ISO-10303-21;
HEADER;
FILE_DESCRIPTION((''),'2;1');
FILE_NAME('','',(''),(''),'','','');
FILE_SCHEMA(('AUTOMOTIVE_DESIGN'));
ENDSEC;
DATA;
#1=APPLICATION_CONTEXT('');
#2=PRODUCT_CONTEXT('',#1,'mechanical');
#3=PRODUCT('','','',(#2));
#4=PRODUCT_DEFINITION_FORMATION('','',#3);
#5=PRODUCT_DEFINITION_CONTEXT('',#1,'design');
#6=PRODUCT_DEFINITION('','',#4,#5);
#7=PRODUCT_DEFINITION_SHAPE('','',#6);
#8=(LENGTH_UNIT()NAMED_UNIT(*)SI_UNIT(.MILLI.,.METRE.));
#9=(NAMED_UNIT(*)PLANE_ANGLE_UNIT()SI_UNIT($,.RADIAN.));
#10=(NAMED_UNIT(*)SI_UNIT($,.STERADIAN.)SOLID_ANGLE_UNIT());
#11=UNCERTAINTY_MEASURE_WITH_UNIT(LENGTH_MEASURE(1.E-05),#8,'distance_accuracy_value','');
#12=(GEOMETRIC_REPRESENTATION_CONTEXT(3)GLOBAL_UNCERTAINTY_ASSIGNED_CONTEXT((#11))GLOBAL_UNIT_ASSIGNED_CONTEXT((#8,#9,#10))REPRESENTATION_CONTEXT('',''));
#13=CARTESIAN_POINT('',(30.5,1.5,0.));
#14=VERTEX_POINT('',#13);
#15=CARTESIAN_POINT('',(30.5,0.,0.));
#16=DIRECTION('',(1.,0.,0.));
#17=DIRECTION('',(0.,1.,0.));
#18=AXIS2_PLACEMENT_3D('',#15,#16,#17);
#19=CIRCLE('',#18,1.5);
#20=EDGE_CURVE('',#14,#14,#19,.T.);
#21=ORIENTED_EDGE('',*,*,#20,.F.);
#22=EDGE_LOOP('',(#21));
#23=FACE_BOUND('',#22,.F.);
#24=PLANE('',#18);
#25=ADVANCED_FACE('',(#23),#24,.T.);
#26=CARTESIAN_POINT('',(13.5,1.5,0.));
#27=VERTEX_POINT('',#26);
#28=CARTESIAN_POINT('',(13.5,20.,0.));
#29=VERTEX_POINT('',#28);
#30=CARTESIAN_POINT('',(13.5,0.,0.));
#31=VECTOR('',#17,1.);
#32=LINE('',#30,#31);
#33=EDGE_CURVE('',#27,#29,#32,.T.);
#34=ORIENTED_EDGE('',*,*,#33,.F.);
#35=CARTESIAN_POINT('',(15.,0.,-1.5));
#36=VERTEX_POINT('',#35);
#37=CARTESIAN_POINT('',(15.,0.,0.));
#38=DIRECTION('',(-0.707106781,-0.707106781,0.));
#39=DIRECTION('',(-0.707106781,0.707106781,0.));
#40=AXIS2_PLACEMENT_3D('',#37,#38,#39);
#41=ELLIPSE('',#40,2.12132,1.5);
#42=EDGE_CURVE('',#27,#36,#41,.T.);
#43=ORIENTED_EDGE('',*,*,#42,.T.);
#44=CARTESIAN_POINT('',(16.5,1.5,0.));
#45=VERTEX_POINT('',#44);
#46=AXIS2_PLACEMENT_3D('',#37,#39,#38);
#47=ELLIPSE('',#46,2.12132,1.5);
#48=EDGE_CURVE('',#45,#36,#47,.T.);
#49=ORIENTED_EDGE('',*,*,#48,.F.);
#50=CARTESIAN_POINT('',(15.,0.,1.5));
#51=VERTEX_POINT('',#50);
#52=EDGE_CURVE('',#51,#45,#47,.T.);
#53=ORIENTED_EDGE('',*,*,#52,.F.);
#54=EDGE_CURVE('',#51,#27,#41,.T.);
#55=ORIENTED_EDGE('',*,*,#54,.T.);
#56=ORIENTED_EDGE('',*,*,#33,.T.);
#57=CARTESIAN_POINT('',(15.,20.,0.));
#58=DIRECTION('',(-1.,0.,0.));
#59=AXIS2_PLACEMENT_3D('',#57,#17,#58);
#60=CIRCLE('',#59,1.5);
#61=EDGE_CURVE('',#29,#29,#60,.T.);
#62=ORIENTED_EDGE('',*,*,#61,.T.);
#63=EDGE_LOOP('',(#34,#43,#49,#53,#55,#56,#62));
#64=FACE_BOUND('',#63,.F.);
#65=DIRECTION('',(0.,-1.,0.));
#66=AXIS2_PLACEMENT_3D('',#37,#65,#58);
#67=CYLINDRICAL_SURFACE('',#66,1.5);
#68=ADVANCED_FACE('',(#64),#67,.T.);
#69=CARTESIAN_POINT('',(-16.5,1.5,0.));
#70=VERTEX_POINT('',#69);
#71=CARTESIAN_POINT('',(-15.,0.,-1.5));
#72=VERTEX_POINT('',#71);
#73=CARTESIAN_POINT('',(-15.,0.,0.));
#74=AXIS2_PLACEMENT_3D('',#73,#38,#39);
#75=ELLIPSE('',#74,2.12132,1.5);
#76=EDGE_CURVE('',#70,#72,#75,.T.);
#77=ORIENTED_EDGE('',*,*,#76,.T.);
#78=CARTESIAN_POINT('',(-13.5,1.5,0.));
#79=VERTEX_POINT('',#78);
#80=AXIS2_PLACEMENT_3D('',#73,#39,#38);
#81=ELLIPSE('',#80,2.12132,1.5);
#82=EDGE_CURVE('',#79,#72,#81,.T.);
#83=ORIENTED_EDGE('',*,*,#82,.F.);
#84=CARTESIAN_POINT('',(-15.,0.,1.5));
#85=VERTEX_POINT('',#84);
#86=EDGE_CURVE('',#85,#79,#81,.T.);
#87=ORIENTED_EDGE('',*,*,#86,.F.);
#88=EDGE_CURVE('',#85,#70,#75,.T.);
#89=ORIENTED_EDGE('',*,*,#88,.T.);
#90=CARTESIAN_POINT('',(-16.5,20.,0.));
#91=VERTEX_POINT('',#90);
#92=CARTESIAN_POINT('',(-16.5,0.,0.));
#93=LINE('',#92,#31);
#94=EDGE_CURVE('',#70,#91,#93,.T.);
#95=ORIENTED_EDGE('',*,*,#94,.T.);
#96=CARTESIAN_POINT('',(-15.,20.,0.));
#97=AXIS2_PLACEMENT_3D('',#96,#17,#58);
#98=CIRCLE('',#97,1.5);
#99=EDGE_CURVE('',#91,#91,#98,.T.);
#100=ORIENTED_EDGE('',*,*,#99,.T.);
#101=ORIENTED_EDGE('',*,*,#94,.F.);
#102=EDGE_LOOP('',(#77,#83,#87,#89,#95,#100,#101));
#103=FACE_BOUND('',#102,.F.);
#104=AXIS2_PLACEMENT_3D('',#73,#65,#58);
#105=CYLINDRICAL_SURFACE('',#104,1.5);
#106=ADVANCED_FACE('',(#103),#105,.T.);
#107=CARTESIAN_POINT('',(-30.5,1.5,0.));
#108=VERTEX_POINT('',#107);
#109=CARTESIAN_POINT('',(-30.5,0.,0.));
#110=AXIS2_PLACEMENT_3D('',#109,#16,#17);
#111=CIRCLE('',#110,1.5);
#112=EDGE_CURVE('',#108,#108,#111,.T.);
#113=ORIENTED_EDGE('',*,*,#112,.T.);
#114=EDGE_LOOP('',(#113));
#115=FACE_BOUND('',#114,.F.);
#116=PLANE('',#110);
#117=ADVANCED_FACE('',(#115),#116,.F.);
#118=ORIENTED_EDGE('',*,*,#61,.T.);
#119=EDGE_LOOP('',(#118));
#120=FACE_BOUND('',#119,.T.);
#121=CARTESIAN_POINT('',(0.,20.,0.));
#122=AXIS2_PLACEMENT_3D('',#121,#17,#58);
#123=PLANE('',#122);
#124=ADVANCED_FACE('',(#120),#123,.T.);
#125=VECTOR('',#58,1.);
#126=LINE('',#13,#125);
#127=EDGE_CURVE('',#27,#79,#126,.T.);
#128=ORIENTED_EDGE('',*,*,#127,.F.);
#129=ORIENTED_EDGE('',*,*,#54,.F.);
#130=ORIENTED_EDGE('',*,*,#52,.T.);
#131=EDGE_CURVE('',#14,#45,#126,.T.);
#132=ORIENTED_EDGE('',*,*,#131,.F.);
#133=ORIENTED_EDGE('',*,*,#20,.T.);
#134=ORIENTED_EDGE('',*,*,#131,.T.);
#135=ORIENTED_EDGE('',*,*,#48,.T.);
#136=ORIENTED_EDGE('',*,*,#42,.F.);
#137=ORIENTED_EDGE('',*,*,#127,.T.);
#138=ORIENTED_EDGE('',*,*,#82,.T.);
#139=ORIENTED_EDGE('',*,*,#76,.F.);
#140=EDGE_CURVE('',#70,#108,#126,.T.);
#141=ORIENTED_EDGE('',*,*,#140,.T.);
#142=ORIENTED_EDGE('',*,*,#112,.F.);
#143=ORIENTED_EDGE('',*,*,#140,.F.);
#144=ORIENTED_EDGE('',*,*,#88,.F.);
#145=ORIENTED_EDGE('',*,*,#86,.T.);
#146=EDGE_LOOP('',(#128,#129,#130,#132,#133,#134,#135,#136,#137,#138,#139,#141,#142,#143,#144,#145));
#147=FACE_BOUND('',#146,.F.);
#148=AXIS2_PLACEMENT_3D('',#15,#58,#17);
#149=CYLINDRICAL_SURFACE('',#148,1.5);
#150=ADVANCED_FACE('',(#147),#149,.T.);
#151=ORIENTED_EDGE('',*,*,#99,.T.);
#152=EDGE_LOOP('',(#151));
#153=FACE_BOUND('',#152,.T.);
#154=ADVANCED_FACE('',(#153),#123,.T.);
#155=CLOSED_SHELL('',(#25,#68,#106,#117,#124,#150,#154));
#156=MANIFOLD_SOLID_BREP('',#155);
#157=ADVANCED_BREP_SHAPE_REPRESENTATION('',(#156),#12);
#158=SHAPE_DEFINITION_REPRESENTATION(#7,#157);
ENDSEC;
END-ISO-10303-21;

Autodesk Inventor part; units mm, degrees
ref_plane "XY Plane" through (0, 0, 0) normal (0, 0, 1) x (1, 0, 0)
sketch "Skizze1" plane through (0, 0, 0) normal (0, 0, 1) x (1, 0, 0)
  line L0 (-30.5, 0) -> (30.5, 0)
  line L1 (30.5, 0) -> (30.5, 1.5)
  line L2 (30.5, 1.5) -> (-30.5, 1.5)
  line L3 (-30.5, 1.5) -> (-30.5, 0)
  line L4 (-42.7, 0) -> (42.7, 0) projected
  line L5 (0, 1.8) -> (0, -0.3) projected
  point P0 (0, 0)
  dimension "d0" = 61
  dimension "d1" = 1.5
  dimension "d2" = 0
  dimension "d10" = 30.5
revolve "Umdrehung1" add sketch "Skizze1" angle 360 about axis through (0, 0, 0) along (1, 0, 0)
sketch "Skizze2" plane through (0, 0, 0) normal (0, 1, 0) x (-1, 0, 0)
  circle A0 centre (15, 0) radius 1.5
  circle A1 centre (-15, 0) radius 1.5
  point P0 (0, 0)
  dimension "d4" = 3
  dimension "d5" = 3
  dimension "d6" = 15
  dimension "d7" = 15
extrude "Extrusion1" add sketch "Skizze2" along normal blind 20
properties part number "Adaptation_2"
